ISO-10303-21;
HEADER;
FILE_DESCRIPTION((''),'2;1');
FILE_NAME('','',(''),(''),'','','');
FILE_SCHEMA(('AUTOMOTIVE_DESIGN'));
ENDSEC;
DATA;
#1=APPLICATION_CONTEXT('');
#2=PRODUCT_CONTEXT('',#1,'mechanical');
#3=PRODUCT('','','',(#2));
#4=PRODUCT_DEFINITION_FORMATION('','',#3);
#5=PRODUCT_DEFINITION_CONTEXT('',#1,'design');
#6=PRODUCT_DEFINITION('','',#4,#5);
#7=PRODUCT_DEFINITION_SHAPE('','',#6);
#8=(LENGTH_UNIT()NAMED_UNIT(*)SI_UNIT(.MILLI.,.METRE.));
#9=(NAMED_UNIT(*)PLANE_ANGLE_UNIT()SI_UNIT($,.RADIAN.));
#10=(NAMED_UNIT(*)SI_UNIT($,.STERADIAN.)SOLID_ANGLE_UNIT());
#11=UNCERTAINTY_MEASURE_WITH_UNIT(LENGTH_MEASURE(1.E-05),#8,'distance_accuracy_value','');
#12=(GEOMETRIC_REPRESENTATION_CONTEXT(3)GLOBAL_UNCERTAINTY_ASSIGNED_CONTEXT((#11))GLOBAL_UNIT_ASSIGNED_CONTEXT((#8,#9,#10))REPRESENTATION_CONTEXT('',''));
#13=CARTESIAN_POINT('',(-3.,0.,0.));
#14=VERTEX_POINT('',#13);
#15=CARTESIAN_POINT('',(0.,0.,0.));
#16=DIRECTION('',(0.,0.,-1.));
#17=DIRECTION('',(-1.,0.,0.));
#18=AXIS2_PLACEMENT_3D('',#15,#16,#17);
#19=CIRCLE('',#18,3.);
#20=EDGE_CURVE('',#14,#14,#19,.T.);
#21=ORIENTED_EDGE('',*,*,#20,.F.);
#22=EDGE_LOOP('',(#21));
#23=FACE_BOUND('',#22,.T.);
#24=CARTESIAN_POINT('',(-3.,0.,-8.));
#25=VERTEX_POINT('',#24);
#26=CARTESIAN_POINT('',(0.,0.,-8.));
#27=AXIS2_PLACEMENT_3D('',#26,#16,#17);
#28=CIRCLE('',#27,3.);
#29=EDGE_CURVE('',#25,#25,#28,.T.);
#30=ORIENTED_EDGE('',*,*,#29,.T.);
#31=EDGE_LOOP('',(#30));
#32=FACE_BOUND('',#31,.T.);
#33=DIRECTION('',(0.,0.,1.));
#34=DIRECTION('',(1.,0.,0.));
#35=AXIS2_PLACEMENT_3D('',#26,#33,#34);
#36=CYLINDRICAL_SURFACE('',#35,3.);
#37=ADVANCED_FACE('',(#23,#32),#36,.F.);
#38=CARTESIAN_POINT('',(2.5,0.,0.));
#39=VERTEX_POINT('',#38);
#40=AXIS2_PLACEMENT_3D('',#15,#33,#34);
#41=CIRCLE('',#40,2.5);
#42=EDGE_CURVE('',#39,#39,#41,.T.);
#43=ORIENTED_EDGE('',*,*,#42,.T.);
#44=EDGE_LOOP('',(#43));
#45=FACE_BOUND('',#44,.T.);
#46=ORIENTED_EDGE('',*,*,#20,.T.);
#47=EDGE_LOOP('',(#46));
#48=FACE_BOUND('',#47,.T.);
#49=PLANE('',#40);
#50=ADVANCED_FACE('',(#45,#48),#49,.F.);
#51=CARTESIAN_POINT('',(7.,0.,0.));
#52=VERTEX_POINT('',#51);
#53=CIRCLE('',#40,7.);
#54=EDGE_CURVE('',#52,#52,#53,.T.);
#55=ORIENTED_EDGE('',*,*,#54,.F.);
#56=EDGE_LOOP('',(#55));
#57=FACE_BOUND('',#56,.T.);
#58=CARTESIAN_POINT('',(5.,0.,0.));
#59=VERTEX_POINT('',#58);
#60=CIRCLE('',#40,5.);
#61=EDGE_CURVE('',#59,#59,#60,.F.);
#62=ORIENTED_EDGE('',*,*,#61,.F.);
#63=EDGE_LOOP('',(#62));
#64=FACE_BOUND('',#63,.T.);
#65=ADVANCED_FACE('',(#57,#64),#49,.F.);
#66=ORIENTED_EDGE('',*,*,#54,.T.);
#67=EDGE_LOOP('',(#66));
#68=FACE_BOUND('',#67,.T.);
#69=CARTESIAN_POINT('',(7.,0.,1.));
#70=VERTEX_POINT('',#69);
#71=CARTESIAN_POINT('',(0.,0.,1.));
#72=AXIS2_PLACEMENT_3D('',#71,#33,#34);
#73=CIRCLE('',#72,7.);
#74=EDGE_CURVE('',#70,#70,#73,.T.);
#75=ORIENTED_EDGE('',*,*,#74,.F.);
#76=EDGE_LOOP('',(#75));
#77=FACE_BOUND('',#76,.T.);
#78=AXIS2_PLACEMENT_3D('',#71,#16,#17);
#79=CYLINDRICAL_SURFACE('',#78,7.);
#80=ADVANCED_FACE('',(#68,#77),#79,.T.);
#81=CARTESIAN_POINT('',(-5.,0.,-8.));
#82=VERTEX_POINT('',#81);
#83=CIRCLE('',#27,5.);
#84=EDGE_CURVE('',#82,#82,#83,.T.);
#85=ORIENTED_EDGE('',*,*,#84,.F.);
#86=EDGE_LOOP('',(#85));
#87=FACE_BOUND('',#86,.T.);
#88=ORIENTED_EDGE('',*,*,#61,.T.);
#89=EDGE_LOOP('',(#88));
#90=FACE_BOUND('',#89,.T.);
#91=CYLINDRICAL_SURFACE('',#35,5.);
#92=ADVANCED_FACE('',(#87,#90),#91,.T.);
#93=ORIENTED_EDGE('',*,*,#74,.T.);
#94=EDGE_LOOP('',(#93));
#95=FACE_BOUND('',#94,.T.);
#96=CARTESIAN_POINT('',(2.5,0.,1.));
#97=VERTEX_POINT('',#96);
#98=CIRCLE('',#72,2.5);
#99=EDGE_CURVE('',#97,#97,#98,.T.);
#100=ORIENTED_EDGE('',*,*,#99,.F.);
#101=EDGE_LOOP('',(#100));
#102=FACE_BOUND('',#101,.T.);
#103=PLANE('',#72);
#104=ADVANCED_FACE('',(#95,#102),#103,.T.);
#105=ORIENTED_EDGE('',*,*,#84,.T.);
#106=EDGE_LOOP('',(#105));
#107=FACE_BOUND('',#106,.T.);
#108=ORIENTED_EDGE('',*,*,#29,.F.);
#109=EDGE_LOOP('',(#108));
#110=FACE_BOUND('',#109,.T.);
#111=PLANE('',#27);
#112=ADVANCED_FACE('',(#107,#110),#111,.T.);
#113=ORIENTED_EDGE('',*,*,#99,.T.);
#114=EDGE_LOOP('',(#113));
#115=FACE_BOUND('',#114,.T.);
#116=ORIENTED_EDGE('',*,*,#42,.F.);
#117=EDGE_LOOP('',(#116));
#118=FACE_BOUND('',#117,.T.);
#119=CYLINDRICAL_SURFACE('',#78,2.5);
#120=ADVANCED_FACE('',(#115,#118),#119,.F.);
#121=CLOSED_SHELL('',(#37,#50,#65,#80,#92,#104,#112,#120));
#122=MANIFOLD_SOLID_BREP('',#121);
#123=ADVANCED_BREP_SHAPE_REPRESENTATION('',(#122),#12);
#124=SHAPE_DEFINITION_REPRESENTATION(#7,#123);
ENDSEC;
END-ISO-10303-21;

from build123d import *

# Parameters (mm, degrees)
SKETCH_1_R      = 7
SKETCH_1_R_2    = 2.5
EXTRUDE_1_DEPTH = 1
SKETCH_2_R      = 5
SKETCH_2_R_2    = 3
EXTRUDE_2_DEPTH = 8


with BuildPart() as part:
    # 草图1 → 凸台-拉伸1 (new body)
    with BuildSketch(Plane.XY):
        Circle(SKETCH_1_R)
        Circle(SKETCH_1_R_2, mode=Mode.SUBTRACT)
    extrude(amount=EXTRUDE_1_DEPTH)

    # 草图2 → 凸台-拉伸2 (add)
    with BuildSketch(Plane(origin=(0, 0, 0), x_dir=(-1, 0, 0), z_dir=(0, 0, -1))):
        Circle(SKETCH_2_R)
        Circle(SKETCH_2_R_2, mode=Mode.SUBTRACT)
    extrude(amount=EXTRUDE_2_DEPTH)


solid = part.part
